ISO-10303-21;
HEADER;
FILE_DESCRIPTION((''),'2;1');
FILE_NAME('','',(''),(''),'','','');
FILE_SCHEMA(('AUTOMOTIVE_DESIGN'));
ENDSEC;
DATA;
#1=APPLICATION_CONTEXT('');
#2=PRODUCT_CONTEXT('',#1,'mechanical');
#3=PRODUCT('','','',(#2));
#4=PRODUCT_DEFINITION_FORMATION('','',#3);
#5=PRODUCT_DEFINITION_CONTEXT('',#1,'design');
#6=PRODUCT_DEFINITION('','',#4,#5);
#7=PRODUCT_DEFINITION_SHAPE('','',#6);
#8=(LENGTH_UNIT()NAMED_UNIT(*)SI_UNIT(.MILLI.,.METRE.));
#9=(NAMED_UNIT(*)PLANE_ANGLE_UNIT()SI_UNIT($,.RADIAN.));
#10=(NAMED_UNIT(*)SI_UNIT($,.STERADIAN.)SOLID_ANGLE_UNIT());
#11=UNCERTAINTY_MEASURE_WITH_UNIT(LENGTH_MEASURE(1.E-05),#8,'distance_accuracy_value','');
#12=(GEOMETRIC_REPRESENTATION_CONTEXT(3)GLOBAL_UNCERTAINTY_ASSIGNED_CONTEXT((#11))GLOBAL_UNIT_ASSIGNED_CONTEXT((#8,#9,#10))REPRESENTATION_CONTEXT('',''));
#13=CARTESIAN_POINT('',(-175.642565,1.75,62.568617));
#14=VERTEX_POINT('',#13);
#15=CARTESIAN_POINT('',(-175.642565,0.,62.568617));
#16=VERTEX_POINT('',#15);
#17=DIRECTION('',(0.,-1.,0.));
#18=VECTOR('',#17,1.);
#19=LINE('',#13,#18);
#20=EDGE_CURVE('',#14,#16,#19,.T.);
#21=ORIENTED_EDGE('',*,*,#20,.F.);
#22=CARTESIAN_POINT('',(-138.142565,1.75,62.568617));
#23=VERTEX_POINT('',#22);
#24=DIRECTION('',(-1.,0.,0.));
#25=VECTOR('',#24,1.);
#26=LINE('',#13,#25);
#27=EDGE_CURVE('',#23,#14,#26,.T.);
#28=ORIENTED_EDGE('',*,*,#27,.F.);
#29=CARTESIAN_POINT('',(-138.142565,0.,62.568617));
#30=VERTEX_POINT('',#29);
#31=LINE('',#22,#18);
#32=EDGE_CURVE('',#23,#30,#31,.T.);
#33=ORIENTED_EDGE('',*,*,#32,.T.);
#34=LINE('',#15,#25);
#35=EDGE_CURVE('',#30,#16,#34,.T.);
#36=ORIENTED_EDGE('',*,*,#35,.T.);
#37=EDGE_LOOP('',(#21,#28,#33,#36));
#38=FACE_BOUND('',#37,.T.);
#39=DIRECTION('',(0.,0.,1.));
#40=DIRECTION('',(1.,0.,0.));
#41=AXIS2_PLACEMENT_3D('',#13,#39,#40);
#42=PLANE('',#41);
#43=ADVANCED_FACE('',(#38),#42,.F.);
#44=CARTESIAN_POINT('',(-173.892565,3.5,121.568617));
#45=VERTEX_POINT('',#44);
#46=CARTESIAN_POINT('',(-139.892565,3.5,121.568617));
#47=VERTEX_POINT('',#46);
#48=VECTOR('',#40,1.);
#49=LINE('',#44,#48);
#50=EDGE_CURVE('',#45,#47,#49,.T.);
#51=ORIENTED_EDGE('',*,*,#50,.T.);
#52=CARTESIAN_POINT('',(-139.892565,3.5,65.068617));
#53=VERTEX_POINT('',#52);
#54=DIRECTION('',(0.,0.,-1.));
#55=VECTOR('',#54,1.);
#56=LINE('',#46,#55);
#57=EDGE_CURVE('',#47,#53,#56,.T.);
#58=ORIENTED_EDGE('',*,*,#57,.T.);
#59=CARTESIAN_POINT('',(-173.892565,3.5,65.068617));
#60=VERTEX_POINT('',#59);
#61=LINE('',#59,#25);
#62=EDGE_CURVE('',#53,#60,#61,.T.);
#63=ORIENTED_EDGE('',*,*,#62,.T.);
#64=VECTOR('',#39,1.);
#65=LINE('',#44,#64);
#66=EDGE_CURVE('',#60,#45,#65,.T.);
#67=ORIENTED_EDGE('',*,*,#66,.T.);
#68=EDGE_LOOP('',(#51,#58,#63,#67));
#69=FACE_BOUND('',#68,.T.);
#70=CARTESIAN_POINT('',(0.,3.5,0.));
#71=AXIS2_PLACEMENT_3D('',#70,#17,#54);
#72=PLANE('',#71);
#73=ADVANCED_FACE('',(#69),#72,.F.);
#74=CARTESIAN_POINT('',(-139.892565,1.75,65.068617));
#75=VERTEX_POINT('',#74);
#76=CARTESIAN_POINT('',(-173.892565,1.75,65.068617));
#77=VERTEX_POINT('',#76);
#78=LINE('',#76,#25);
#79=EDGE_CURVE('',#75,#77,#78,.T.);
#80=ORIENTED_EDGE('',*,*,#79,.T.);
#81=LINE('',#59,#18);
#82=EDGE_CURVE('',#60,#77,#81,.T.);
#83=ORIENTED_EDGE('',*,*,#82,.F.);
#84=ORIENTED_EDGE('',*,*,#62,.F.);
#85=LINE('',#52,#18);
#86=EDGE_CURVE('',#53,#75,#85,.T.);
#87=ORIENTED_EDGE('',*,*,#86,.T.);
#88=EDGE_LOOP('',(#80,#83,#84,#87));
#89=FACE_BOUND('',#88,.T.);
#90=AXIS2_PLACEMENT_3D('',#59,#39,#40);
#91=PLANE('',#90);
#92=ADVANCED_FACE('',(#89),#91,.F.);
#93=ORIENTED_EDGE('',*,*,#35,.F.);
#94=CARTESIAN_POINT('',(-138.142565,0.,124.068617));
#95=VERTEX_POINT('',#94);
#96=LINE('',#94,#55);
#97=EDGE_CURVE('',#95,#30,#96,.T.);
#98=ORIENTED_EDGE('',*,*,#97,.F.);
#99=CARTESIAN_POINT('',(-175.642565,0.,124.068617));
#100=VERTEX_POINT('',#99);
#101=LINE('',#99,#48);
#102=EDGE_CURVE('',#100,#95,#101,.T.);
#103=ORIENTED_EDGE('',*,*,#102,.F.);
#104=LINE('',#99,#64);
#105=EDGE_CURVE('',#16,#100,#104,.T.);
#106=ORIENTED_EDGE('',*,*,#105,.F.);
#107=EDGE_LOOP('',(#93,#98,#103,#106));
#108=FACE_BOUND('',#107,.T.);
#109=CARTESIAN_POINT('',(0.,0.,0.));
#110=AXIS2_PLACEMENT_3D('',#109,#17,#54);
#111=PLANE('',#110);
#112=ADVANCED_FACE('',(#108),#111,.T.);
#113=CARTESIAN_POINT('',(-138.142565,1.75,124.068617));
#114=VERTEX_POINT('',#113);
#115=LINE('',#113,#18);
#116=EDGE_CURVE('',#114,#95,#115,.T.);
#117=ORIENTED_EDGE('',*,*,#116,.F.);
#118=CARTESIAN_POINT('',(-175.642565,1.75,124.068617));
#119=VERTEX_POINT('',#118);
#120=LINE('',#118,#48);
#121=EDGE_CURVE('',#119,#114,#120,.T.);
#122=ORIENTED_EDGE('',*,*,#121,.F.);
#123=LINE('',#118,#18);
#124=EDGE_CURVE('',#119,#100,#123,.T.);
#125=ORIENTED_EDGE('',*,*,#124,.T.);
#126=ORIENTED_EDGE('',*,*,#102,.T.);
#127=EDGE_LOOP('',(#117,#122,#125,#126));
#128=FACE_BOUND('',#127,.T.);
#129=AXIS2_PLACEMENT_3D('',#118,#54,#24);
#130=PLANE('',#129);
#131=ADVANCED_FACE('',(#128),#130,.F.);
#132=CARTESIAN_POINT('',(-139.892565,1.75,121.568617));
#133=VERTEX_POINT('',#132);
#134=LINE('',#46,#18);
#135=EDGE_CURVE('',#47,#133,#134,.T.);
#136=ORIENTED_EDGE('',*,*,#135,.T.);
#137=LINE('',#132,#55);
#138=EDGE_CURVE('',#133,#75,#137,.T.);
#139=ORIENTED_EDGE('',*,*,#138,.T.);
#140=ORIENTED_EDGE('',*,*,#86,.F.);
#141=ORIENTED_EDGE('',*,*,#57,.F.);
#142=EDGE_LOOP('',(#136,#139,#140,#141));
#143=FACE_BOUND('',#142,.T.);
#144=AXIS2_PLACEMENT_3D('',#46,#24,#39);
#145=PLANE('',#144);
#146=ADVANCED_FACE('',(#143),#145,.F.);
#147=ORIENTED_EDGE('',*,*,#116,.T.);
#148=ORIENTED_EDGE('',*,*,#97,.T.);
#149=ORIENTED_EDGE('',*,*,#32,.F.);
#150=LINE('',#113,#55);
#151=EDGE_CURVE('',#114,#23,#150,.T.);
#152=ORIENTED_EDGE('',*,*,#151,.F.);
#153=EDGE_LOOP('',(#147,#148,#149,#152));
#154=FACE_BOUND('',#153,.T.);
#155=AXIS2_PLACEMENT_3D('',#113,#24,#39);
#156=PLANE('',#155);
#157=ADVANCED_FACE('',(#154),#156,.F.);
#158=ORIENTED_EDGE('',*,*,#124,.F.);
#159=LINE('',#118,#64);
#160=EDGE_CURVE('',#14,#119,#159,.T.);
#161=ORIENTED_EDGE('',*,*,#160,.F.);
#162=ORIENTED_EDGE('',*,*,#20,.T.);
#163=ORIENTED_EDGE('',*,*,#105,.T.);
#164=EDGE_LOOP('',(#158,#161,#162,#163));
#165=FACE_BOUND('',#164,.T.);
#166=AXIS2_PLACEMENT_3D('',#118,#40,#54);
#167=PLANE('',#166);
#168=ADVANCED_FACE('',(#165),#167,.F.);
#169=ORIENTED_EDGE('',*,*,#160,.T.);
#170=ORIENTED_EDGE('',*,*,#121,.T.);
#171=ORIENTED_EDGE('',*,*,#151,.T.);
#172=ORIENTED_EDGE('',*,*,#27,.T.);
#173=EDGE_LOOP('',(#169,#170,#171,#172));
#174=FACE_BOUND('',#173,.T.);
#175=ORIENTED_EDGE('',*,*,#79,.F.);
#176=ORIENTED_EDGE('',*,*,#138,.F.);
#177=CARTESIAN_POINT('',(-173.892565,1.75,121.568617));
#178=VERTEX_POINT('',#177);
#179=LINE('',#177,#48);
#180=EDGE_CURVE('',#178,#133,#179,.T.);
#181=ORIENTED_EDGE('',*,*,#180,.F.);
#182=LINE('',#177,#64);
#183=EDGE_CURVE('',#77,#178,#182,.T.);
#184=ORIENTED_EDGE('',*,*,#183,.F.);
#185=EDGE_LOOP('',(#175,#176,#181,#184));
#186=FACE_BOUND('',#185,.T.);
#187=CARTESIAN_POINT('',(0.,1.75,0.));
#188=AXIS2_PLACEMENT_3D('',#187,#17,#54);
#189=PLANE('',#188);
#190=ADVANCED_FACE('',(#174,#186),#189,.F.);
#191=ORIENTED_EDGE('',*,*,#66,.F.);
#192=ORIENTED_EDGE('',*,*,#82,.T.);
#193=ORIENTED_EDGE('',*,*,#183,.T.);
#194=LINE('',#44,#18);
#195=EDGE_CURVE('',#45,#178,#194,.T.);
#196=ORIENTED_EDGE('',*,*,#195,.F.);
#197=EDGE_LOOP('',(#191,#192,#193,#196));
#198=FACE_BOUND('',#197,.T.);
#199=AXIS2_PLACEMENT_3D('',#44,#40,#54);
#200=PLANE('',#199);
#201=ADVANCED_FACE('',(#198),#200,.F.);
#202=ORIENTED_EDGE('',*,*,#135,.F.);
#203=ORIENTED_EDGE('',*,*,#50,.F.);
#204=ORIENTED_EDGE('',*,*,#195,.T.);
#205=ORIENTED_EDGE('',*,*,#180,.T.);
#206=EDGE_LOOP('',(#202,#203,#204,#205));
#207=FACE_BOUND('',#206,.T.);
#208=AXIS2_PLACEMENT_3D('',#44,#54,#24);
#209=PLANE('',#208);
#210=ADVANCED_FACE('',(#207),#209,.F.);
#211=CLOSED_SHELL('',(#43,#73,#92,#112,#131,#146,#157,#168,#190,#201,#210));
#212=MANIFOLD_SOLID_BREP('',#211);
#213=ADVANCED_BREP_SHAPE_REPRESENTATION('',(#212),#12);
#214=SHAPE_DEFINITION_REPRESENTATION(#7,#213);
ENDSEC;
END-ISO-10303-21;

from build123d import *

# Parameters (mm, degrees)
SKETCH1_W           = 37.5
SKETCH1_H           = 61.5
BOSS_EXTRUDE1_DEPTH = 1.75
SKETCH2_W           = 34
SKETCH2_H           = 56.5
BOSS_EXTRUDE2_DEPTH = 1.75


with BuildPart() as part:
    # Sketch1 → Boss-Extrude1 (new body)
    with BuildSketch(Plane(origin=(0, 0, 0), x_dir=(1, 0, 0), z_dir=(0, 1, 0))):
        with Locations((-156.892564619, -93.318616843)):
            Rectangle(SKETCH1_W, SKETCH1_H)
    extrude(amount=BOSS_EXTRUDE1_DEPTH)

    # Sketch2 → Boss-Extrude2 (add)
    with BuildSketch(Plane(origin=(0, 1.75, 0), x_dir=(1, 0, 0), z_dir=(0, 1, 0))):
        with Locations((-156.892564619, -93.318616843)):
            Rectangle(SKETCH2_W, SKETCH2_H)
    extrude(amount=BOSS_EXTRUDE2_DEPTH)


solid = part.part
